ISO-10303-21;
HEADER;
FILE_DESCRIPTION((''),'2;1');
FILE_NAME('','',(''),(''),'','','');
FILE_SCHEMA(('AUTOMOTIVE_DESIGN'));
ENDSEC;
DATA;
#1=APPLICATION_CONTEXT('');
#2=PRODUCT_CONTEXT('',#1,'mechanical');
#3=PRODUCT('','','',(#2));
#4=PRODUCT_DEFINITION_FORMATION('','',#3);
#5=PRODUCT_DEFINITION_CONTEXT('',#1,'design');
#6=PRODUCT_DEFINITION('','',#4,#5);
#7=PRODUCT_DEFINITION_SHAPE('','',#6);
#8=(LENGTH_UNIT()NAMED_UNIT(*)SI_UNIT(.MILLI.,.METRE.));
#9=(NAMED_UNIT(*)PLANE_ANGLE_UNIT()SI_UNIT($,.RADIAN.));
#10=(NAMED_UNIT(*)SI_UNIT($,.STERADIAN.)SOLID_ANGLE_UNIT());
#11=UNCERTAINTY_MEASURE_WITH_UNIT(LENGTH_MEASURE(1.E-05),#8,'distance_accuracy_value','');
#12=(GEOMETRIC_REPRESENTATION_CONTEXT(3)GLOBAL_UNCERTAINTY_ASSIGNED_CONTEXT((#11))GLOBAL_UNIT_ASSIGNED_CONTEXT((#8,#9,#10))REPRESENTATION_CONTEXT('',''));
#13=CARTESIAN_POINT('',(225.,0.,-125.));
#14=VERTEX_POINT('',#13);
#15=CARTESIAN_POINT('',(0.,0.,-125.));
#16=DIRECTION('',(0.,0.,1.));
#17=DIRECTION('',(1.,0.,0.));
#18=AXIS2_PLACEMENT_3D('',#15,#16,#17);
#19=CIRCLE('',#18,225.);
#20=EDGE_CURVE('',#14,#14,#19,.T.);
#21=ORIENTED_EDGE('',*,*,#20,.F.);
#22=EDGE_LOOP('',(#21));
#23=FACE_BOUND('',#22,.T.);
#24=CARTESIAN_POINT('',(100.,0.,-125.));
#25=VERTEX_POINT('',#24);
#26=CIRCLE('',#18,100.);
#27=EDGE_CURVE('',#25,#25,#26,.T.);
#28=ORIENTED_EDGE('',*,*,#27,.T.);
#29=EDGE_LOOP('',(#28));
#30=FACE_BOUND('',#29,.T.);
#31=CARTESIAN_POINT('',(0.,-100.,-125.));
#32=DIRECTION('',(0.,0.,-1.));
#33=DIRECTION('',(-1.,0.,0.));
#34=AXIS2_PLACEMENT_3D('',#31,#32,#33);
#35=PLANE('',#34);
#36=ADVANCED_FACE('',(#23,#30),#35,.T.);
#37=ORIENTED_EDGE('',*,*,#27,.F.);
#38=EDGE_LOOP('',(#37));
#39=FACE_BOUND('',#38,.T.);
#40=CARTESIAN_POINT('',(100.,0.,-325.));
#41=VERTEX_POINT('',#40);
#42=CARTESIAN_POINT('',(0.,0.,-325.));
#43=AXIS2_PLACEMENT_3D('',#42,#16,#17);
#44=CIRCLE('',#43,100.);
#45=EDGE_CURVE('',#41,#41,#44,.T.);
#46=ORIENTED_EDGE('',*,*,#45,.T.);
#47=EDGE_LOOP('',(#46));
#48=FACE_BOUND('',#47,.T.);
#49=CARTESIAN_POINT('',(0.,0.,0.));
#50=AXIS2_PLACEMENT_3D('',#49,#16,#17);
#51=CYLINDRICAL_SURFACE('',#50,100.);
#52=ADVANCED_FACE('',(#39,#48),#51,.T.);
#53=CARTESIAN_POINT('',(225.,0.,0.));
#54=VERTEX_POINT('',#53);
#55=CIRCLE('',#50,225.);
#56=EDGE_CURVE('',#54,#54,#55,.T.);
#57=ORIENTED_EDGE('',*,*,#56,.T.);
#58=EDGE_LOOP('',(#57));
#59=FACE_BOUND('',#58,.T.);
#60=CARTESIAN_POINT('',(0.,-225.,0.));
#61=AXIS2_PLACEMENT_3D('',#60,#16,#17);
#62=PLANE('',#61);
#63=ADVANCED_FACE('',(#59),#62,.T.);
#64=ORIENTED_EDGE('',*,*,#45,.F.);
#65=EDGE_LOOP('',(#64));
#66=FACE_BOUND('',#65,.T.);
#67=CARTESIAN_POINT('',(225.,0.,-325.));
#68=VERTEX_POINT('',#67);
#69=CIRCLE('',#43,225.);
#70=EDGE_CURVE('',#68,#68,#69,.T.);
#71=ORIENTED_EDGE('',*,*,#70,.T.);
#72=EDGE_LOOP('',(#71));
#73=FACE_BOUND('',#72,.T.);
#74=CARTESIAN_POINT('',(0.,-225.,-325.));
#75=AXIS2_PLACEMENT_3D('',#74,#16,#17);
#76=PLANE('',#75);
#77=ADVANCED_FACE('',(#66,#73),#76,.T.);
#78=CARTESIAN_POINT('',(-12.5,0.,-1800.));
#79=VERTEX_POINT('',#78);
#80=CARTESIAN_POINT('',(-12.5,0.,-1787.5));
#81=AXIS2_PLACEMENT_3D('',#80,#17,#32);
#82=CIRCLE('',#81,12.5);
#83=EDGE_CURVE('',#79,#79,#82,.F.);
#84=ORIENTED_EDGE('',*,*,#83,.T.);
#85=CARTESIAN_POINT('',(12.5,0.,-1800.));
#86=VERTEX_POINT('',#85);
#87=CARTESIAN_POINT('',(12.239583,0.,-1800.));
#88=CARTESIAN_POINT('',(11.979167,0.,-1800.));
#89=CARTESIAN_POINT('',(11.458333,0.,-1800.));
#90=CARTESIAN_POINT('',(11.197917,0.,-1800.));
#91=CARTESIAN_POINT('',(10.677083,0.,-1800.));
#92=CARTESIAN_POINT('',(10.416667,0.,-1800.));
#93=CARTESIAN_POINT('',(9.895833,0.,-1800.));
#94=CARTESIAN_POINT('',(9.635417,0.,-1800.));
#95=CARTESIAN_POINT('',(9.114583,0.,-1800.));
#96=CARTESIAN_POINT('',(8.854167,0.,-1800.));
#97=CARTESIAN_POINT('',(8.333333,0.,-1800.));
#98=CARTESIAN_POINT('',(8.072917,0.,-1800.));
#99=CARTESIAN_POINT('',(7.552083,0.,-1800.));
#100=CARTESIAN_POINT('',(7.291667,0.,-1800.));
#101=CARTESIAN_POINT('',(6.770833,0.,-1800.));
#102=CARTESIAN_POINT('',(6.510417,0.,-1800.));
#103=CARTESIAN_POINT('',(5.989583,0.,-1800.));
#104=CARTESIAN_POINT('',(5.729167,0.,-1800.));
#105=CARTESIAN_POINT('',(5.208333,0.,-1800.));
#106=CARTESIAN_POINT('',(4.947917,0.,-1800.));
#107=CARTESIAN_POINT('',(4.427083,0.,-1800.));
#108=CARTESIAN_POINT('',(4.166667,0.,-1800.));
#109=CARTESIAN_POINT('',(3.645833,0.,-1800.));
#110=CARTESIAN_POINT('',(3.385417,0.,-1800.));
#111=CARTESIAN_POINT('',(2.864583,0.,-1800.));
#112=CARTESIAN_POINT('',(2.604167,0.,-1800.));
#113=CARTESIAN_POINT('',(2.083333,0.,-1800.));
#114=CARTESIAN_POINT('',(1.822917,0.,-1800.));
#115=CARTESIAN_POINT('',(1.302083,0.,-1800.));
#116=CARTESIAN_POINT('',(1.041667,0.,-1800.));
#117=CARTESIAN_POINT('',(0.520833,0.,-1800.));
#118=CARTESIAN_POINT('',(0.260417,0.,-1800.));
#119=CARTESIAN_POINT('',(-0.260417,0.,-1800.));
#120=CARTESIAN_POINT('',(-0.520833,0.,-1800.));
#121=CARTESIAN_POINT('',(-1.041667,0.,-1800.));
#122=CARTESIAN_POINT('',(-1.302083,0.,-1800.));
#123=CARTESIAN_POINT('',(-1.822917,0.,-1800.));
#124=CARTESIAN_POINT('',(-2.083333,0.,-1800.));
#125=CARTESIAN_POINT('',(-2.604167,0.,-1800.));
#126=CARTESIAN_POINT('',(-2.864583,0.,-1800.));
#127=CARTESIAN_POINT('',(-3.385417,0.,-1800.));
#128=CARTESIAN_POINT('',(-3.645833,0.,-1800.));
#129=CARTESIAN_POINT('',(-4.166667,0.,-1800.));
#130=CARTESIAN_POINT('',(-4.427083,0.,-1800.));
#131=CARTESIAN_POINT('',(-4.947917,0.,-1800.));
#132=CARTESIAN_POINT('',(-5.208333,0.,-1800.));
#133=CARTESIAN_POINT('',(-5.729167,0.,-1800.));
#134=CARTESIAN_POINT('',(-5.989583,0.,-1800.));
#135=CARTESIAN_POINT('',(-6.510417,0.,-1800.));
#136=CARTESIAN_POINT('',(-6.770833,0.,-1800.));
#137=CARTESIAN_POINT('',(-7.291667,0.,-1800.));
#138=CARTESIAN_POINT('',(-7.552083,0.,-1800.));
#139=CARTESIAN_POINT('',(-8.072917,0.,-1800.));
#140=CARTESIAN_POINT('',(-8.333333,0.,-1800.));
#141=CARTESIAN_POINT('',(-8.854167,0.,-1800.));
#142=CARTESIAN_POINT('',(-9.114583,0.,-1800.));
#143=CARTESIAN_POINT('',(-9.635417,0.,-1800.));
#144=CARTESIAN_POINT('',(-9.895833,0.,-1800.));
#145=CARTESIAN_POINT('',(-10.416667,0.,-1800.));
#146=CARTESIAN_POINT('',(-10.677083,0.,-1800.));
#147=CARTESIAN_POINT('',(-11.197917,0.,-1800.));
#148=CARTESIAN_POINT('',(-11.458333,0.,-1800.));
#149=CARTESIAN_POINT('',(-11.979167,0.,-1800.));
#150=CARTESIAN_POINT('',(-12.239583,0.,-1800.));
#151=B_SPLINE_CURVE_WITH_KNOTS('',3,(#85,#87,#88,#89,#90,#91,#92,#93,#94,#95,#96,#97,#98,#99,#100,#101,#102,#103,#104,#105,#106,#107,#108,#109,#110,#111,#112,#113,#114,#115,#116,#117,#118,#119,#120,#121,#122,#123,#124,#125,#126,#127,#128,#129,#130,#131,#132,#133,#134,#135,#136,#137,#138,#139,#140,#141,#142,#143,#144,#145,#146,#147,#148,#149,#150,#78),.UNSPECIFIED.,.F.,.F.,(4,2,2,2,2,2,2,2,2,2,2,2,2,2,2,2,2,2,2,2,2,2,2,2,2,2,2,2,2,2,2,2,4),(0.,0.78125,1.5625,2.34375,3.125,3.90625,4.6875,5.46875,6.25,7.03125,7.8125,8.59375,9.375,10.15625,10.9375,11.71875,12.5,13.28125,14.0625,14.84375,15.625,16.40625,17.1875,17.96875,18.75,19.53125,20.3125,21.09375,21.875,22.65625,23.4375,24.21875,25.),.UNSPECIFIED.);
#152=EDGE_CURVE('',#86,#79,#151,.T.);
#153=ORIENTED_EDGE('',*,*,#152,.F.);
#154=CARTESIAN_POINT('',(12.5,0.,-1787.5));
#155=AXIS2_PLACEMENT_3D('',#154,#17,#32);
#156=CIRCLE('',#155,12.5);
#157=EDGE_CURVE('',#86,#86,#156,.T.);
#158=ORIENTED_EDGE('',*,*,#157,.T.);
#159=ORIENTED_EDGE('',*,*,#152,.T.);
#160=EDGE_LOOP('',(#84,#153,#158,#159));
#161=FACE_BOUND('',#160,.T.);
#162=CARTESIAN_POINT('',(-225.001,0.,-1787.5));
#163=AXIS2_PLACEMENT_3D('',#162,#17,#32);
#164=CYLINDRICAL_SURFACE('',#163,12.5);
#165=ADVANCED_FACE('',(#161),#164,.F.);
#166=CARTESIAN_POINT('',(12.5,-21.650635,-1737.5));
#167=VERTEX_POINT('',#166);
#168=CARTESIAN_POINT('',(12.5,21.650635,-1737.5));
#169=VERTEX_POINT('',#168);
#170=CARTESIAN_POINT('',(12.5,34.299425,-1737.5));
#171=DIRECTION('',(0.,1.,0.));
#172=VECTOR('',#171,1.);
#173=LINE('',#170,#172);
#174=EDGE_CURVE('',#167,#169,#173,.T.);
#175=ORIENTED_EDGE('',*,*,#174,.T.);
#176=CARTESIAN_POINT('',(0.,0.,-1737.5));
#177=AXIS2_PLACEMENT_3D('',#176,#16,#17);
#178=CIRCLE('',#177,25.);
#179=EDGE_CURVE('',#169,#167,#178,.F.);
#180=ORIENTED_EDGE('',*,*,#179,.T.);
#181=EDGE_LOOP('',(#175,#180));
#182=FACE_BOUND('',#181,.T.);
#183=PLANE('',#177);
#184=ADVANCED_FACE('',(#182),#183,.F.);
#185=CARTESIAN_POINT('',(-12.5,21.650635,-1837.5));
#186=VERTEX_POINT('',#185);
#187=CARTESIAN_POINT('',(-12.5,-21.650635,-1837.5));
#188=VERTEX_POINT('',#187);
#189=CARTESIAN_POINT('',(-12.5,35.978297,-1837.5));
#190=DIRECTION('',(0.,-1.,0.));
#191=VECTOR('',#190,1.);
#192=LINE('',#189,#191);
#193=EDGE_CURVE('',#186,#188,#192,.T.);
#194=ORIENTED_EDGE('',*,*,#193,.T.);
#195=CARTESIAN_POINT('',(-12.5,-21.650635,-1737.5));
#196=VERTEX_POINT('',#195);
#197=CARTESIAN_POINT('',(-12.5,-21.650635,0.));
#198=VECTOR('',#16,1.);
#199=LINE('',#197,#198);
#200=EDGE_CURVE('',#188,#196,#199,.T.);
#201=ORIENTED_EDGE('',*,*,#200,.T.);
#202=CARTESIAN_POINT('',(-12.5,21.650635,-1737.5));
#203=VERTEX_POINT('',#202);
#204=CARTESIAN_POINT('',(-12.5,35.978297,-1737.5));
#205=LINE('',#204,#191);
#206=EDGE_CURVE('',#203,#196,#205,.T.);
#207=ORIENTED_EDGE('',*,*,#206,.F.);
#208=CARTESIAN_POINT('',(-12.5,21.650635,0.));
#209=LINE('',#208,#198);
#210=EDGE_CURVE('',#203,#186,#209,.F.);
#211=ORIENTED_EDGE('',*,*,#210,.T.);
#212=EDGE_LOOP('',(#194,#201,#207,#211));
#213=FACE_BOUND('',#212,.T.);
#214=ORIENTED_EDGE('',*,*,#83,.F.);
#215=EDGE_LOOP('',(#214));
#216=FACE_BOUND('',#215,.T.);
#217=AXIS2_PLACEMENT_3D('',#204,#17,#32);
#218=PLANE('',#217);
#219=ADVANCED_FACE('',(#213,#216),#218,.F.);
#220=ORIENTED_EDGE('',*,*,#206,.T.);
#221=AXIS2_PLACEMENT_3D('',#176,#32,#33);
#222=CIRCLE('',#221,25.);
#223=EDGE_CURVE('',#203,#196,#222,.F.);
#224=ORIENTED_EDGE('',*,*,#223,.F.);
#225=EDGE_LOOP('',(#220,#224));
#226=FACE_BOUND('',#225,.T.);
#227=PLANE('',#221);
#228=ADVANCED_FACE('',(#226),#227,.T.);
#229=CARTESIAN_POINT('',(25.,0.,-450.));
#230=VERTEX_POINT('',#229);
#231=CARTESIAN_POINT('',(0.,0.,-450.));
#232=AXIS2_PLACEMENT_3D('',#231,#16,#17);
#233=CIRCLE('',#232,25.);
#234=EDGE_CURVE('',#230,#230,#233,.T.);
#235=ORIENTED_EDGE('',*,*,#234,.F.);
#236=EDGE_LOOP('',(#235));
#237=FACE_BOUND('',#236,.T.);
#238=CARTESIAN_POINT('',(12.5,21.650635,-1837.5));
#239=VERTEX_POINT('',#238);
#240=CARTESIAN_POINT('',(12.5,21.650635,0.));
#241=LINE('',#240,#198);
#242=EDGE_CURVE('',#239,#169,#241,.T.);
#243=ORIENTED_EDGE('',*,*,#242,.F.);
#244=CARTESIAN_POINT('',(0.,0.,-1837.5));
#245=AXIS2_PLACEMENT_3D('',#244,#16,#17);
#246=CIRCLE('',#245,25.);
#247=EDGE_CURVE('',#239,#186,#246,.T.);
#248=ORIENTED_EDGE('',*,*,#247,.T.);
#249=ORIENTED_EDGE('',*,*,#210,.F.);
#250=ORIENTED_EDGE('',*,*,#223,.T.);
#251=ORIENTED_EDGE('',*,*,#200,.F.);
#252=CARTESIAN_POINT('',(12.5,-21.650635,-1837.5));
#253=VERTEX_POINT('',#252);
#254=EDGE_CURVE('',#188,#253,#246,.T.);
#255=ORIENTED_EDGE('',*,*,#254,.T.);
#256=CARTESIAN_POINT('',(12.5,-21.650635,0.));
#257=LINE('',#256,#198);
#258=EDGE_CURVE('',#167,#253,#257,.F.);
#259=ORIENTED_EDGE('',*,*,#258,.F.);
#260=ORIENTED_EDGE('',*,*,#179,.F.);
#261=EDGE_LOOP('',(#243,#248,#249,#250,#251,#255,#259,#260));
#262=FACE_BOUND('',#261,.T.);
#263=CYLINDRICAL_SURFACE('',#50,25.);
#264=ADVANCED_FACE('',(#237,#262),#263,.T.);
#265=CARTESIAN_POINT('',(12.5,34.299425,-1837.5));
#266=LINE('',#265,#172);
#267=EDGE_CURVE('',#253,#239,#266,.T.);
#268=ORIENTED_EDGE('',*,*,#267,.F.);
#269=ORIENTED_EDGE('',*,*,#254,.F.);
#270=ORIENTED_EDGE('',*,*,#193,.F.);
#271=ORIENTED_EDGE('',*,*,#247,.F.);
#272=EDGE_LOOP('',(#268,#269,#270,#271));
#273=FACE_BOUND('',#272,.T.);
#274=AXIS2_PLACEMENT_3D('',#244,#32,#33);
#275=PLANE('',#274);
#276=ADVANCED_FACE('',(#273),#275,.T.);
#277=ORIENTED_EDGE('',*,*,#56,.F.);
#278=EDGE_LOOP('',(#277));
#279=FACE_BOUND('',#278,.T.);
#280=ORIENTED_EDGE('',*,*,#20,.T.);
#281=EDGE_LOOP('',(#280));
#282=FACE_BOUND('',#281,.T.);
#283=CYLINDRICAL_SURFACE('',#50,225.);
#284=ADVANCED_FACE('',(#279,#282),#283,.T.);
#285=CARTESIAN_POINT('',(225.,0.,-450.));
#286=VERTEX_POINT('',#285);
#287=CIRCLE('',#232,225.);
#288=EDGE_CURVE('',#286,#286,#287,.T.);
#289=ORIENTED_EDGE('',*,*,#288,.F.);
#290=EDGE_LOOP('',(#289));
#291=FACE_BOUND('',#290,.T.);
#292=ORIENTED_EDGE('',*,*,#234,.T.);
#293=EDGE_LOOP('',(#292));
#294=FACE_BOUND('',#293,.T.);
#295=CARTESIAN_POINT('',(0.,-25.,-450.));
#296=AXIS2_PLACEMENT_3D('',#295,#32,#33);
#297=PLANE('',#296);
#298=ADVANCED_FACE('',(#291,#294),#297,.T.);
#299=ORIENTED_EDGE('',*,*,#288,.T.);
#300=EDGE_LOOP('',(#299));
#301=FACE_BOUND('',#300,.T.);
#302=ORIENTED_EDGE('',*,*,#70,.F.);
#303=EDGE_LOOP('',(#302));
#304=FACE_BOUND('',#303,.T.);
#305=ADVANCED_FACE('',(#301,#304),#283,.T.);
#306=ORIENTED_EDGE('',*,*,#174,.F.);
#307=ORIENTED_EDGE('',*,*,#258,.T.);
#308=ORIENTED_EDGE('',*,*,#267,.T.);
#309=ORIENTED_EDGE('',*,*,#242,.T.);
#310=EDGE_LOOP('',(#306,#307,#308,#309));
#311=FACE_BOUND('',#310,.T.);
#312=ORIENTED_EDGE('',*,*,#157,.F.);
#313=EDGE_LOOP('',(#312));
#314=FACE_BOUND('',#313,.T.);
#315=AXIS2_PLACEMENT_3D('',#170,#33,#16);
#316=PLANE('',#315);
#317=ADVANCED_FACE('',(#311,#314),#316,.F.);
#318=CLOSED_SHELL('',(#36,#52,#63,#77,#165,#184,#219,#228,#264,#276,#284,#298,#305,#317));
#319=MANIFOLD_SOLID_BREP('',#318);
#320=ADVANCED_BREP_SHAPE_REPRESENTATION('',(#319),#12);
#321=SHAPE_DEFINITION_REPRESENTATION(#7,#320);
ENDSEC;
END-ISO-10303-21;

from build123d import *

# Parameters (mm, degrees)
SKETCH2_W          = 32.050318883
SKETCH2_H          = 65.476021051
SKETCH2_W_2        = 24.596756352
SKETCH2_H_2        = 67.490667853
CUT_EXTRUDE1_DEPTH = 100
CUT_EXTRUDE2_REACH = 1868.397
SKETCH3_R          = 12.5


with BuildPart() as part:
    # Sketch1 → Revolve1 (revolve)
    with BuildSketch(Plane(origin=(0, 0, 0), x_dir=(0, 0, -1), z_dir=(1, 0, 0)), mode=Mode.PRIVATE) as revolve1_sk:
        Polygon((0, 0), (1837.5, 0), (1837.5, -25), (450, -25), (450, -225), (325, -225), (325, -100), (125, -100), (125, -225), (0, -225), align=None)
    revolve(revolve1_sk.sketch.rotate(Axis((0, 0, 0), (0, 0, -1)), 270), axis=Axis((0, 0, 0), (0, 0, -1)))

    # Sketch2 → Cut-Extrude1 (cut)
    with BuildSketch(Plane(origin=(0, 0, -1837.5), x_dir=(-1, 0, 0), z_dir=(0, 0, -1))):
        with Locations((-28.525159442, 1.561413984)):
            Rectangle(SKETCH2_W, SKETCH2_H)
        with Locations((24.798378176, 2.232962919)):
            Rectangle(SKETCH2_W_2, SKETCH2_H_2)
    extrude(amount=-CUT_EXTRUDE1_DEPTH, mode=Mode.SUBTRACT)

    # Sketch3 → Cut-Extrude2 (cut, up to next)
    with BuildSketch(Plane(origin=(12.5, 0, 0), x_dir=(0, 0, -1), z_dir=(1, 0, 0)), mode=Mode.PRIVATE) as cut_extrude2_sk1:
        with Locations((1787.5, 0)):
            Circle(SKETCH3_R)
    cut_extrude2_tool1 = extrude(cut_extrude2_sk1.sketch, amount=-CUT_EXTRUDE2_REACH, mode=Mode.PRIVATE) & part.part
    add(cut_extrude2_tool1.solids().sort_by_distance((12.5, 0, -1787.5))[0], mode=Mode.SUBTRACT)


solid = part.part
